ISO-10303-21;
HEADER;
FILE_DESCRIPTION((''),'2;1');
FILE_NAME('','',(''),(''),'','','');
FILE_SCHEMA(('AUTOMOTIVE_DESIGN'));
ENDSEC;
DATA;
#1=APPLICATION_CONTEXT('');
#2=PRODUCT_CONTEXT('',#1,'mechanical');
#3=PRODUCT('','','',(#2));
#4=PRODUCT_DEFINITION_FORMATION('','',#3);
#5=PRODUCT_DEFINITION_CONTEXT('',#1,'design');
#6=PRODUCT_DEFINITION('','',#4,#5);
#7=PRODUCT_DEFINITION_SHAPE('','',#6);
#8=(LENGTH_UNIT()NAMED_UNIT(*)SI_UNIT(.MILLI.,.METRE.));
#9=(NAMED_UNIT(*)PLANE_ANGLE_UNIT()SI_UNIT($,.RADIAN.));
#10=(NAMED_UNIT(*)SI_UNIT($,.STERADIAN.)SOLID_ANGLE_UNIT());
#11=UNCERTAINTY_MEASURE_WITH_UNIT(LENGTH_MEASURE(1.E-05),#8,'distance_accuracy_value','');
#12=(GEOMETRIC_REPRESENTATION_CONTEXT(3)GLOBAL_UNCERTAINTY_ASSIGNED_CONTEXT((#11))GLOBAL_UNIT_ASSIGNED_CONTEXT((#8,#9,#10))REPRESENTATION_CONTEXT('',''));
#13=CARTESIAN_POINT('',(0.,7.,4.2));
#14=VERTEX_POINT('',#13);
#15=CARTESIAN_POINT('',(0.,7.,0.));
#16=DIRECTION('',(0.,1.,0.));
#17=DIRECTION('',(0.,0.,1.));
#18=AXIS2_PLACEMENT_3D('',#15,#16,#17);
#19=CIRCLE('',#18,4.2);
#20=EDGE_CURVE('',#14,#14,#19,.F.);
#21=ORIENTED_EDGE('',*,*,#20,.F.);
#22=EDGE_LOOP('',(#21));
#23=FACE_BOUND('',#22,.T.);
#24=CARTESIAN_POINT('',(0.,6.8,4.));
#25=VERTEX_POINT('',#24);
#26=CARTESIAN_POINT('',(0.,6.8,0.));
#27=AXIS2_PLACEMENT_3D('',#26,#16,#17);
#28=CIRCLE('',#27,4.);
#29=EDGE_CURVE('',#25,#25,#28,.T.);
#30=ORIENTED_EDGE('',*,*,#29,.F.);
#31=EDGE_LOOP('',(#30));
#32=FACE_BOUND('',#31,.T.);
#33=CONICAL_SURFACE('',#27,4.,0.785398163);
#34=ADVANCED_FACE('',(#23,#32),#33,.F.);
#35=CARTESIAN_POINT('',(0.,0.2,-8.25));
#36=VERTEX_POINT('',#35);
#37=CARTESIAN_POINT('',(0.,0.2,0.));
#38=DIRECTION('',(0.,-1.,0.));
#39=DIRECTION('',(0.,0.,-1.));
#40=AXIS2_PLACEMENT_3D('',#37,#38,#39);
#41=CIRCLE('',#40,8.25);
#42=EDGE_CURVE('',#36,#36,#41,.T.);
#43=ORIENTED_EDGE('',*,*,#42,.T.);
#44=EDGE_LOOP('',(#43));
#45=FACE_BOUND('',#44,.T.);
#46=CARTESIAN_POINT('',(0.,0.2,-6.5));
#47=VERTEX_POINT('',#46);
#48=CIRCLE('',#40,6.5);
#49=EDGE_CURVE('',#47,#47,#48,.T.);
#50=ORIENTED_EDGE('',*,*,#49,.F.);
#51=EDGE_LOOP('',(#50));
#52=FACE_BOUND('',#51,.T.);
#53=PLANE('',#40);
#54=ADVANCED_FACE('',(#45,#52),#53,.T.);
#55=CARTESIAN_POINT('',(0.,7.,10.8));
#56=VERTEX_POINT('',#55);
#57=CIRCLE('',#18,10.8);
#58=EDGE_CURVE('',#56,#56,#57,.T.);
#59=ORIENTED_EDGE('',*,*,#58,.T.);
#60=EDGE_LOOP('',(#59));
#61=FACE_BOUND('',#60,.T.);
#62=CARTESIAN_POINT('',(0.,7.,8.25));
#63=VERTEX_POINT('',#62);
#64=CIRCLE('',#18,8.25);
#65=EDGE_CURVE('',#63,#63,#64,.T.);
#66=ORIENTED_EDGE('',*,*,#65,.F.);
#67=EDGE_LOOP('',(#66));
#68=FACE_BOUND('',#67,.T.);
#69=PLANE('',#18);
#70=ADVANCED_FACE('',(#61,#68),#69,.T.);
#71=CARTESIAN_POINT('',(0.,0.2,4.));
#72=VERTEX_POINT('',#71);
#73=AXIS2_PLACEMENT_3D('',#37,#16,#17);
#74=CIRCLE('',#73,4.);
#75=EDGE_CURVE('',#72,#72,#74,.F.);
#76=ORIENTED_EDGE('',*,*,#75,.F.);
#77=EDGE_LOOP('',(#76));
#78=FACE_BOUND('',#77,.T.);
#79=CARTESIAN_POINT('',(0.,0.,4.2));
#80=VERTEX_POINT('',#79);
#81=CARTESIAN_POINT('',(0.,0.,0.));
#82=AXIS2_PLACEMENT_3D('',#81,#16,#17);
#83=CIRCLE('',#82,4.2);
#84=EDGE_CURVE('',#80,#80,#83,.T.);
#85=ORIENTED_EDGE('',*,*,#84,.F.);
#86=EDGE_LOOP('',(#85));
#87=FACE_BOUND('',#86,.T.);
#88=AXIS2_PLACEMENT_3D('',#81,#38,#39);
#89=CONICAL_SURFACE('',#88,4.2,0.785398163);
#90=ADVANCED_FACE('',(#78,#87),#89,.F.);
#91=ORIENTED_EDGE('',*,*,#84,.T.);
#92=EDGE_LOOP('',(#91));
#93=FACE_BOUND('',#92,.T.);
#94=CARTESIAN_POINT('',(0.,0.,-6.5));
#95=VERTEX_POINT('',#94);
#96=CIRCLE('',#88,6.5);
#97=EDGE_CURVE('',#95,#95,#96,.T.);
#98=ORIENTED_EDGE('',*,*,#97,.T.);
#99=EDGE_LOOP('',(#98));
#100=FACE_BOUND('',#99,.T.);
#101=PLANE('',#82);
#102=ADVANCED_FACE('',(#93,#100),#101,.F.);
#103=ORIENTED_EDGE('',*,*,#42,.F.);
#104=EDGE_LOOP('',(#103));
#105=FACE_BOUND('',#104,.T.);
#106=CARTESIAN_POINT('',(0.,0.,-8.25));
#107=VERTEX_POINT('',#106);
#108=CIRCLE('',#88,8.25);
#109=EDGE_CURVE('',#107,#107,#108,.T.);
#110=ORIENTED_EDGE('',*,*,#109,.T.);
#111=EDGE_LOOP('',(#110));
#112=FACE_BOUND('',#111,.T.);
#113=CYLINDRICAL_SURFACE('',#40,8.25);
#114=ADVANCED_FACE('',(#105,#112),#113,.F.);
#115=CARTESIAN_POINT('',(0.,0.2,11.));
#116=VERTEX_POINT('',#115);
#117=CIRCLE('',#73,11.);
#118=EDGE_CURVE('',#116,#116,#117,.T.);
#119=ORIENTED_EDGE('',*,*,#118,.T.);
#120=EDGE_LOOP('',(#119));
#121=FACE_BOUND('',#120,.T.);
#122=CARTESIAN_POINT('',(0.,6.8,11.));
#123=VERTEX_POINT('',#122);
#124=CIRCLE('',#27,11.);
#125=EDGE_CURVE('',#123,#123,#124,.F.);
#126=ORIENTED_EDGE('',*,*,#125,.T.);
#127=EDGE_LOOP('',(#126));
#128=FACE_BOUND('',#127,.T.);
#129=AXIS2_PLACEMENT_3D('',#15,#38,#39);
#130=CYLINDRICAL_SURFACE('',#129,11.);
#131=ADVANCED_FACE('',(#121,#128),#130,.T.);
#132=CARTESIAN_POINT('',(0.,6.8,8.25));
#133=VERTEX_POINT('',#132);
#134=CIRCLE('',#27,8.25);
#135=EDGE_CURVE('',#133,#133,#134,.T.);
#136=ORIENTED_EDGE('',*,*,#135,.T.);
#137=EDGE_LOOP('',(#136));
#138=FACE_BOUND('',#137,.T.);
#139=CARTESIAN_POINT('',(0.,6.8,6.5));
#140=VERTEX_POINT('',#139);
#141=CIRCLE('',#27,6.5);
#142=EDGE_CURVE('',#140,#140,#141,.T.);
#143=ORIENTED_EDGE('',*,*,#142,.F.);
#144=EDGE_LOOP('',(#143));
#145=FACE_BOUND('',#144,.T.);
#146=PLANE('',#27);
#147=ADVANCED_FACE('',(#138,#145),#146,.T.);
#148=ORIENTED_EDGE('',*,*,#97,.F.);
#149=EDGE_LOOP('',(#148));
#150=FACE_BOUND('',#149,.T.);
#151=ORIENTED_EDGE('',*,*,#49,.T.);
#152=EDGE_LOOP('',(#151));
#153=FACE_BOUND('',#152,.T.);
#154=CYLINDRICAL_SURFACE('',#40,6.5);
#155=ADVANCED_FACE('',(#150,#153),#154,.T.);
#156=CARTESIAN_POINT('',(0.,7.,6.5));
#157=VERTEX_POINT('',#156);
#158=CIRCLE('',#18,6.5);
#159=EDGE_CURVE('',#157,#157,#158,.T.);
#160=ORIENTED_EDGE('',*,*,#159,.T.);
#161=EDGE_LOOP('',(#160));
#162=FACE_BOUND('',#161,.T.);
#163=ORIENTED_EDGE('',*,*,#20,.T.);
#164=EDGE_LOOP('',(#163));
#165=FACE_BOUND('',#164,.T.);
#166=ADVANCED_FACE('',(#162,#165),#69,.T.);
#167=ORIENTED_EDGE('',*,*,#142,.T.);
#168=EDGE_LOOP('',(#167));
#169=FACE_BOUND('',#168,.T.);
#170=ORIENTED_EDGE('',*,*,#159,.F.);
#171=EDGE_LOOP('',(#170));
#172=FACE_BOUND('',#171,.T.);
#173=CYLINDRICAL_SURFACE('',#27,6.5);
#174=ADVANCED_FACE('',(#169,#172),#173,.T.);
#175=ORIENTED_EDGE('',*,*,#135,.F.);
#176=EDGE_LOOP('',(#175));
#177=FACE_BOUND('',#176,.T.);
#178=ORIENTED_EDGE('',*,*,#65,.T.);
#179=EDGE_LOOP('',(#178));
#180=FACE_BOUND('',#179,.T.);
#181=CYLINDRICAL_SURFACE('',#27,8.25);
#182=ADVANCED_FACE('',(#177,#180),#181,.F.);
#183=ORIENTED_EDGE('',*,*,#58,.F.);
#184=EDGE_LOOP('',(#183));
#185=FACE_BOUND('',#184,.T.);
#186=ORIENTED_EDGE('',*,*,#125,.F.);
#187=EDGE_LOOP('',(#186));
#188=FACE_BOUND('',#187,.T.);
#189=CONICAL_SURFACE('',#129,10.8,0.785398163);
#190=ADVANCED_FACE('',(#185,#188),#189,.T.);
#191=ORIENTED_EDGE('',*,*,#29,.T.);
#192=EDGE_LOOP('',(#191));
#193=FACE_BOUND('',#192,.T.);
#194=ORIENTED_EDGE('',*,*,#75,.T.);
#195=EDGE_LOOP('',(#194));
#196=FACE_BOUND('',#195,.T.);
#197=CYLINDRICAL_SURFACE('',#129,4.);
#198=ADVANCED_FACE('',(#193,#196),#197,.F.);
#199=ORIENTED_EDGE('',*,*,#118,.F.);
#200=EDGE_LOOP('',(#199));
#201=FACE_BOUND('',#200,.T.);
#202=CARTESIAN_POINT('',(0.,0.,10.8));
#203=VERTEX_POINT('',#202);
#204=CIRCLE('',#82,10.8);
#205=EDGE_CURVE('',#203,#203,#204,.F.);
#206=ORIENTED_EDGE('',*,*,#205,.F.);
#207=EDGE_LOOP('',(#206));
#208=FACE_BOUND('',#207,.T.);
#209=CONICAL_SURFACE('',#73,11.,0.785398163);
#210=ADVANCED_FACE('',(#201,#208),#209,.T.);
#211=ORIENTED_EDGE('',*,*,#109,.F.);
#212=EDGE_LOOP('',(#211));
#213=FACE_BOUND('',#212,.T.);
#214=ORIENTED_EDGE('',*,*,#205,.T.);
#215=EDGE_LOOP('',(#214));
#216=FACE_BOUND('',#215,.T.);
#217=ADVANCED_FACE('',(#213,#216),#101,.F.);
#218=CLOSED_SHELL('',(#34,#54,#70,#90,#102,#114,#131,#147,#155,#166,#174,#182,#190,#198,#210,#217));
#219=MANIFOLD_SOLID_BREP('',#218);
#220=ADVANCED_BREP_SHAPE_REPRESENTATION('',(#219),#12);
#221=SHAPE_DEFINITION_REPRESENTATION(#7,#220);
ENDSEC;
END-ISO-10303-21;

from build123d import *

# Parameters (mm, degrees)
SKETCH1_R           = 11
SKETCH1_R_2         = 4
BOSS_EXTRUDE1_DEPTH = 7
SKETCH2_R           = 8.25
SKETCH2_R_2         = 6.5
CUT_EXTRUDE1_DEPTH  = 0.2
SKETCH3_R           = 8.25
SKETCH3_R_2         = 6.5
CUT_EXTRUDE2_DEPTH  = 0.2
CHAMFER1_SIZE       = 0.2


with BuildPart() as part:
    # Sketch1 → Boss-Extrude1 (new body)
    with BuildSketch(Plane(origin=(0, 0, 0), x_dir=(1, 0, 0), z_dir=(0, 1, 0))):
        Circle(SKETCH1_R)
        Circle(SKETCH1_R_2, mode=Mode.SUBTRACT)
    extrude(amount=BOSS_EXTRUDE1_DEPTH)

    # Sketch2 → Cut-Extrude1 (cut)
    with BuildSketch(Plane(origin=(0, 7, 0), x_dir=(1, 0, 0), z_dir=(0, 1, 0))):
        Circle(SKETCH2_R)
        Circle(SKETCH2_R_2, mode=Mode.SUBTRACT)
    extrude(amount=-CUT_EXTRUDE1_DEPTH, mode=Mode.SUBTRACT)

    # Sketch3 → Cut-Extrude2 (cut)
    with BuildSketch(Plane.XZ):
        Circle(SKETCH3_R)
        Circle(SKETCH3_R_2, mode=Mode.SUBTRACT)
    extrude(amount=-CUT_EXTRUDE2_DEPTH, mode=Mode.SUBTRACT)

    # Chamfer1
    chamfer1_edges = [part.edges().sort_by_distance(p)[0] for p in [
        (-11, 0, 0),
        (-11, 7, 0),
        (-4, 0, 0),
        (-4, 7, 0),
    ]]
    chamfer(chamfer1_edges, length=CHAMFER1_SIZE)


solid = part.part
